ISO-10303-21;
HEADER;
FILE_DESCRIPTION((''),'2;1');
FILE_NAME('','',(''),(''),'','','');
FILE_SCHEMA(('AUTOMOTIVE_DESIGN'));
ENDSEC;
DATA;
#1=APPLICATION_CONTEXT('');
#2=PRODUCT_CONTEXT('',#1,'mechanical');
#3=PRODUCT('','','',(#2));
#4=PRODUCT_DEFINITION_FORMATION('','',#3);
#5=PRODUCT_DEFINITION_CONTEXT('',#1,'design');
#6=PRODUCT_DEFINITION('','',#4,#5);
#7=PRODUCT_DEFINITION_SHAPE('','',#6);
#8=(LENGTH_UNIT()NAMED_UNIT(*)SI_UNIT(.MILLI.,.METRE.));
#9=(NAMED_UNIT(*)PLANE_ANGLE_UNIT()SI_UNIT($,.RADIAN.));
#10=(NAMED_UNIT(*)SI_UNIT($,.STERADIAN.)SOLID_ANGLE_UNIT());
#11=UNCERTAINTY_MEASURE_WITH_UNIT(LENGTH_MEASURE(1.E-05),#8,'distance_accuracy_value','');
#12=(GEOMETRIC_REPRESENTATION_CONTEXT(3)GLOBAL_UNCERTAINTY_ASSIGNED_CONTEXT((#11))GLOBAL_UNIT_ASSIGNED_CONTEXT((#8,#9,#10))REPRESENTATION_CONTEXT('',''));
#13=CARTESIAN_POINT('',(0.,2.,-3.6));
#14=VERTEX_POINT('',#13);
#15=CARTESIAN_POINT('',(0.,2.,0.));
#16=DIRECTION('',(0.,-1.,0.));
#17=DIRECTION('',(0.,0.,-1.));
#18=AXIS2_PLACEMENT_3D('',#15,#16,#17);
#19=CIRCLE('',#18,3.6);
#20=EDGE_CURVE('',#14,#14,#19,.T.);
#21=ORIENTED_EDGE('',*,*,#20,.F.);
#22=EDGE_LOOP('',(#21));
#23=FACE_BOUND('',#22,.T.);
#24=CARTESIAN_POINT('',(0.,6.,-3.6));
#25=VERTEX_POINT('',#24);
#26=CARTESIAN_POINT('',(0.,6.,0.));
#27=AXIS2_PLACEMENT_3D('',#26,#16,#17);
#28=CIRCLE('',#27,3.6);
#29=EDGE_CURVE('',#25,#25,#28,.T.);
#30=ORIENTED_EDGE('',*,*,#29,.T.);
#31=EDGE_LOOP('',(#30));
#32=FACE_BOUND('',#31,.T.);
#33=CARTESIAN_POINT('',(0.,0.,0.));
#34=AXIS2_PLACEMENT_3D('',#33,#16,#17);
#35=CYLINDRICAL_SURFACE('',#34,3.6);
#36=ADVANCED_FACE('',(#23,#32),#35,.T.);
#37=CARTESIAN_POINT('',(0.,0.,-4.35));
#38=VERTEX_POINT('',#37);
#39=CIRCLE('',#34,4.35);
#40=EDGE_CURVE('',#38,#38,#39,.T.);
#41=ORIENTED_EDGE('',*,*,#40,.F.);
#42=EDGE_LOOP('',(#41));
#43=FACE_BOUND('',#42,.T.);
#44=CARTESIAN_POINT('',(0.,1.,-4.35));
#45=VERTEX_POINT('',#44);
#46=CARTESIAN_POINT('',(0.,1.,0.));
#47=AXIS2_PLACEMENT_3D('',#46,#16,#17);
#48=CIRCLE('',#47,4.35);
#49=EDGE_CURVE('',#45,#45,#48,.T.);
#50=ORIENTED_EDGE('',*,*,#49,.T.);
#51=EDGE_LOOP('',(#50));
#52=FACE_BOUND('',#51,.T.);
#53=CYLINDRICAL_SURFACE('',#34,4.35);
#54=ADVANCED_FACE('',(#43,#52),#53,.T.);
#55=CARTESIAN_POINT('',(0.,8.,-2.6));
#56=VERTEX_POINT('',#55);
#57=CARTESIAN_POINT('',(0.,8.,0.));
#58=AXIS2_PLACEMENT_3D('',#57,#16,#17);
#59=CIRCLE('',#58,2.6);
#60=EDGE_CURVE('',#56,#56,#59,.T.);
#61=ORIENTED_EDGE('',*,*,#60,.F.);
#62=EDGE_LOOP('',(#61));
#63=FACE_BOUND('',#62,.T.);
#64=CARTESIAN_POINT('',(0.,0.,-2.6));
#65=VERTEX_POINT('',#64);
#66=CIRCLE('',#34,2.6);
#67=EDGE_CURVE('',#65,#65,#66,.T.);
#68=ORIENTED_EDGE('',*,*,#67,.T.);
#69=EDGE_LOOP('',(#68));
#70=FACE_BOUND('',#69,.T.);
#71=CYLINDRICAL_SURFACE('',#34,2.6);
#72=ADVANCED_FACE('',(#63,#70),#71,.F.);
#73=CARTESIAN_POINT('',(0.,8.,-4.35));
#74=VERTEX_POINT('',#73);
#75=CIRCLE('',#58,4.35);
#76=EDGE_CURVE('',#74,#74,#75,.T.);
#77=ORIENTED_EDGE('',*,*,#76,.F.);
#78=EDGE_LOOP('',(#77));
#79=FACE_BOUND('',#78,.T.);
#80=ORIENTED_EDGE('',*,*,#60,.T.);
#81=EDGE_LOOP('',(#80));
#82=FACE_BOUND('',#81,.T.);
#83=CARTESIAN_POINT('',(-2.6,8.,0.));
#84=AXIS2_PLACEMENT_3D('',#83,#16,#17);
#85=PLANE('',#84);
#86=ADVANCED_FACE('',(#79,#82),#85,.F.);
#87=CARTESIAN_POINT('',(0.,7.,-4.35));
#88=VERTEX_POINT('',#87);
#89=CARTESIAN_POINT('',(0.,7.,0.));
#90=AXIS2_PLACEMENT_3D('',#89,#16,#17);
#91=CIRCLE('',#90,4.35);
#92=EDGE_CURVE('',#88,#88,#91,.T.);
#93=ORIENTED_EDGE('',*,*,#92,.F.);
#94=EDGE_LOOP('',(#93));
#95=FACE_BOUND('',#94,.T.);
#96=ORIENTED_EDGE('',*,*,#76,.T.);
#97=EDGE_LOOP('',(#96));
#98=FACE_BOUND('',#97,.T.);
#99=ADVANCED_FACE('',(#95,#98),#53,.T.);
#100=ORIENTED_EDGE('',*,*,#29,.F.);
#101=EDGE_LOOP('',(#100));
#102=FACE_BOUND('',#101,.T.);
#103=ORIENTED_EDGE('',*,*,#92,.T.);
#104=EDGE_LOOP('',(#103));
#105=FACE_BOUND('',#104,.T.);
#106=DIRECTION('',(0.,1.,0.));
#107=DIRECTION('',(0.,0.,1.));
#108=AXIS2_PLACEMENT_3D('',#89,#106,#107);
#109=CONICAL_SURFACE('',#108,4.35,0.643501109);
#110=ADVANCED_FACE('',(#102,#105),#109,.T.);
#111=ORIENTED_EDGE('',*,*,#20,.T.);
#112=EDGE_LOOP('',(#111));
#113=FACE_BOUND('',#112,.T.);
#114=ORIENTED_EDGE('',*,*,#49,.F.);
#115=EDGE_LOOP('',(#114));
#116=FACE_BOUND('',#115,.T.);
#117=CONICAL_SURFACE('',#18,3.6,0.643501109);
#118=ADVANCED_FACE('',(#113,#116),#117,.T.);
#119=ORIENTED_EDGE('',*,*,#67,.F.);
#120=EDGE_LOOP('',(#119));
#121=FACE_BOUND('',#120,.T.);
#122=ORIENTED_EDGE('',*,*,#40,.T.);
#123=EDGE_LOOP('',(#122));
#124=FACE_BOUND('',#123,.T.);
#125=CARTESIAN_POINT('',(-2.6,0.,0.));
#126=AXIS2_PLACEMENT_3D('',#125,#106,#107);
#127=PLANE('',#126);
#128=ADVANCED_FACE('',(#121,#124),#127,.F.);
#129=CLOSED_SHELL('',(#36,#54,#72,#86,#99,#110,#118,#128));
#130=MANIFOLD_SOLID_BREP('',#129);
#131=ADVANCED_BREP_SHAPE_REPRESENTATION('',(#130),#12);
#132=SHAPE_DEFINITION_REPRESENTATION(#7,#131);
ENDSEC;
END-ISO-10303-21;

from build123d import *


with BuildPart() as part:
    # Sketch1 → Revolve1 (revolve)
    with BuildSketch(Plane.XY, mode=Mode.PRIVATE) as revolve1_sk:
        Polygon((-2.6, 8), (-2.6, 0), (-4.35, 0), (-4.35, 1), (-3.6, 2), (-3.6, 6), (-4.35, 7), (-4.35, 8), align=None)
    revolve(revolve1_sk.sketch.rotate(Axis((0, 0, 0), (0, 1, 0)), 270), axis=Axis((0, 0, 0), (0, 1, 0)))


solid = part.part
